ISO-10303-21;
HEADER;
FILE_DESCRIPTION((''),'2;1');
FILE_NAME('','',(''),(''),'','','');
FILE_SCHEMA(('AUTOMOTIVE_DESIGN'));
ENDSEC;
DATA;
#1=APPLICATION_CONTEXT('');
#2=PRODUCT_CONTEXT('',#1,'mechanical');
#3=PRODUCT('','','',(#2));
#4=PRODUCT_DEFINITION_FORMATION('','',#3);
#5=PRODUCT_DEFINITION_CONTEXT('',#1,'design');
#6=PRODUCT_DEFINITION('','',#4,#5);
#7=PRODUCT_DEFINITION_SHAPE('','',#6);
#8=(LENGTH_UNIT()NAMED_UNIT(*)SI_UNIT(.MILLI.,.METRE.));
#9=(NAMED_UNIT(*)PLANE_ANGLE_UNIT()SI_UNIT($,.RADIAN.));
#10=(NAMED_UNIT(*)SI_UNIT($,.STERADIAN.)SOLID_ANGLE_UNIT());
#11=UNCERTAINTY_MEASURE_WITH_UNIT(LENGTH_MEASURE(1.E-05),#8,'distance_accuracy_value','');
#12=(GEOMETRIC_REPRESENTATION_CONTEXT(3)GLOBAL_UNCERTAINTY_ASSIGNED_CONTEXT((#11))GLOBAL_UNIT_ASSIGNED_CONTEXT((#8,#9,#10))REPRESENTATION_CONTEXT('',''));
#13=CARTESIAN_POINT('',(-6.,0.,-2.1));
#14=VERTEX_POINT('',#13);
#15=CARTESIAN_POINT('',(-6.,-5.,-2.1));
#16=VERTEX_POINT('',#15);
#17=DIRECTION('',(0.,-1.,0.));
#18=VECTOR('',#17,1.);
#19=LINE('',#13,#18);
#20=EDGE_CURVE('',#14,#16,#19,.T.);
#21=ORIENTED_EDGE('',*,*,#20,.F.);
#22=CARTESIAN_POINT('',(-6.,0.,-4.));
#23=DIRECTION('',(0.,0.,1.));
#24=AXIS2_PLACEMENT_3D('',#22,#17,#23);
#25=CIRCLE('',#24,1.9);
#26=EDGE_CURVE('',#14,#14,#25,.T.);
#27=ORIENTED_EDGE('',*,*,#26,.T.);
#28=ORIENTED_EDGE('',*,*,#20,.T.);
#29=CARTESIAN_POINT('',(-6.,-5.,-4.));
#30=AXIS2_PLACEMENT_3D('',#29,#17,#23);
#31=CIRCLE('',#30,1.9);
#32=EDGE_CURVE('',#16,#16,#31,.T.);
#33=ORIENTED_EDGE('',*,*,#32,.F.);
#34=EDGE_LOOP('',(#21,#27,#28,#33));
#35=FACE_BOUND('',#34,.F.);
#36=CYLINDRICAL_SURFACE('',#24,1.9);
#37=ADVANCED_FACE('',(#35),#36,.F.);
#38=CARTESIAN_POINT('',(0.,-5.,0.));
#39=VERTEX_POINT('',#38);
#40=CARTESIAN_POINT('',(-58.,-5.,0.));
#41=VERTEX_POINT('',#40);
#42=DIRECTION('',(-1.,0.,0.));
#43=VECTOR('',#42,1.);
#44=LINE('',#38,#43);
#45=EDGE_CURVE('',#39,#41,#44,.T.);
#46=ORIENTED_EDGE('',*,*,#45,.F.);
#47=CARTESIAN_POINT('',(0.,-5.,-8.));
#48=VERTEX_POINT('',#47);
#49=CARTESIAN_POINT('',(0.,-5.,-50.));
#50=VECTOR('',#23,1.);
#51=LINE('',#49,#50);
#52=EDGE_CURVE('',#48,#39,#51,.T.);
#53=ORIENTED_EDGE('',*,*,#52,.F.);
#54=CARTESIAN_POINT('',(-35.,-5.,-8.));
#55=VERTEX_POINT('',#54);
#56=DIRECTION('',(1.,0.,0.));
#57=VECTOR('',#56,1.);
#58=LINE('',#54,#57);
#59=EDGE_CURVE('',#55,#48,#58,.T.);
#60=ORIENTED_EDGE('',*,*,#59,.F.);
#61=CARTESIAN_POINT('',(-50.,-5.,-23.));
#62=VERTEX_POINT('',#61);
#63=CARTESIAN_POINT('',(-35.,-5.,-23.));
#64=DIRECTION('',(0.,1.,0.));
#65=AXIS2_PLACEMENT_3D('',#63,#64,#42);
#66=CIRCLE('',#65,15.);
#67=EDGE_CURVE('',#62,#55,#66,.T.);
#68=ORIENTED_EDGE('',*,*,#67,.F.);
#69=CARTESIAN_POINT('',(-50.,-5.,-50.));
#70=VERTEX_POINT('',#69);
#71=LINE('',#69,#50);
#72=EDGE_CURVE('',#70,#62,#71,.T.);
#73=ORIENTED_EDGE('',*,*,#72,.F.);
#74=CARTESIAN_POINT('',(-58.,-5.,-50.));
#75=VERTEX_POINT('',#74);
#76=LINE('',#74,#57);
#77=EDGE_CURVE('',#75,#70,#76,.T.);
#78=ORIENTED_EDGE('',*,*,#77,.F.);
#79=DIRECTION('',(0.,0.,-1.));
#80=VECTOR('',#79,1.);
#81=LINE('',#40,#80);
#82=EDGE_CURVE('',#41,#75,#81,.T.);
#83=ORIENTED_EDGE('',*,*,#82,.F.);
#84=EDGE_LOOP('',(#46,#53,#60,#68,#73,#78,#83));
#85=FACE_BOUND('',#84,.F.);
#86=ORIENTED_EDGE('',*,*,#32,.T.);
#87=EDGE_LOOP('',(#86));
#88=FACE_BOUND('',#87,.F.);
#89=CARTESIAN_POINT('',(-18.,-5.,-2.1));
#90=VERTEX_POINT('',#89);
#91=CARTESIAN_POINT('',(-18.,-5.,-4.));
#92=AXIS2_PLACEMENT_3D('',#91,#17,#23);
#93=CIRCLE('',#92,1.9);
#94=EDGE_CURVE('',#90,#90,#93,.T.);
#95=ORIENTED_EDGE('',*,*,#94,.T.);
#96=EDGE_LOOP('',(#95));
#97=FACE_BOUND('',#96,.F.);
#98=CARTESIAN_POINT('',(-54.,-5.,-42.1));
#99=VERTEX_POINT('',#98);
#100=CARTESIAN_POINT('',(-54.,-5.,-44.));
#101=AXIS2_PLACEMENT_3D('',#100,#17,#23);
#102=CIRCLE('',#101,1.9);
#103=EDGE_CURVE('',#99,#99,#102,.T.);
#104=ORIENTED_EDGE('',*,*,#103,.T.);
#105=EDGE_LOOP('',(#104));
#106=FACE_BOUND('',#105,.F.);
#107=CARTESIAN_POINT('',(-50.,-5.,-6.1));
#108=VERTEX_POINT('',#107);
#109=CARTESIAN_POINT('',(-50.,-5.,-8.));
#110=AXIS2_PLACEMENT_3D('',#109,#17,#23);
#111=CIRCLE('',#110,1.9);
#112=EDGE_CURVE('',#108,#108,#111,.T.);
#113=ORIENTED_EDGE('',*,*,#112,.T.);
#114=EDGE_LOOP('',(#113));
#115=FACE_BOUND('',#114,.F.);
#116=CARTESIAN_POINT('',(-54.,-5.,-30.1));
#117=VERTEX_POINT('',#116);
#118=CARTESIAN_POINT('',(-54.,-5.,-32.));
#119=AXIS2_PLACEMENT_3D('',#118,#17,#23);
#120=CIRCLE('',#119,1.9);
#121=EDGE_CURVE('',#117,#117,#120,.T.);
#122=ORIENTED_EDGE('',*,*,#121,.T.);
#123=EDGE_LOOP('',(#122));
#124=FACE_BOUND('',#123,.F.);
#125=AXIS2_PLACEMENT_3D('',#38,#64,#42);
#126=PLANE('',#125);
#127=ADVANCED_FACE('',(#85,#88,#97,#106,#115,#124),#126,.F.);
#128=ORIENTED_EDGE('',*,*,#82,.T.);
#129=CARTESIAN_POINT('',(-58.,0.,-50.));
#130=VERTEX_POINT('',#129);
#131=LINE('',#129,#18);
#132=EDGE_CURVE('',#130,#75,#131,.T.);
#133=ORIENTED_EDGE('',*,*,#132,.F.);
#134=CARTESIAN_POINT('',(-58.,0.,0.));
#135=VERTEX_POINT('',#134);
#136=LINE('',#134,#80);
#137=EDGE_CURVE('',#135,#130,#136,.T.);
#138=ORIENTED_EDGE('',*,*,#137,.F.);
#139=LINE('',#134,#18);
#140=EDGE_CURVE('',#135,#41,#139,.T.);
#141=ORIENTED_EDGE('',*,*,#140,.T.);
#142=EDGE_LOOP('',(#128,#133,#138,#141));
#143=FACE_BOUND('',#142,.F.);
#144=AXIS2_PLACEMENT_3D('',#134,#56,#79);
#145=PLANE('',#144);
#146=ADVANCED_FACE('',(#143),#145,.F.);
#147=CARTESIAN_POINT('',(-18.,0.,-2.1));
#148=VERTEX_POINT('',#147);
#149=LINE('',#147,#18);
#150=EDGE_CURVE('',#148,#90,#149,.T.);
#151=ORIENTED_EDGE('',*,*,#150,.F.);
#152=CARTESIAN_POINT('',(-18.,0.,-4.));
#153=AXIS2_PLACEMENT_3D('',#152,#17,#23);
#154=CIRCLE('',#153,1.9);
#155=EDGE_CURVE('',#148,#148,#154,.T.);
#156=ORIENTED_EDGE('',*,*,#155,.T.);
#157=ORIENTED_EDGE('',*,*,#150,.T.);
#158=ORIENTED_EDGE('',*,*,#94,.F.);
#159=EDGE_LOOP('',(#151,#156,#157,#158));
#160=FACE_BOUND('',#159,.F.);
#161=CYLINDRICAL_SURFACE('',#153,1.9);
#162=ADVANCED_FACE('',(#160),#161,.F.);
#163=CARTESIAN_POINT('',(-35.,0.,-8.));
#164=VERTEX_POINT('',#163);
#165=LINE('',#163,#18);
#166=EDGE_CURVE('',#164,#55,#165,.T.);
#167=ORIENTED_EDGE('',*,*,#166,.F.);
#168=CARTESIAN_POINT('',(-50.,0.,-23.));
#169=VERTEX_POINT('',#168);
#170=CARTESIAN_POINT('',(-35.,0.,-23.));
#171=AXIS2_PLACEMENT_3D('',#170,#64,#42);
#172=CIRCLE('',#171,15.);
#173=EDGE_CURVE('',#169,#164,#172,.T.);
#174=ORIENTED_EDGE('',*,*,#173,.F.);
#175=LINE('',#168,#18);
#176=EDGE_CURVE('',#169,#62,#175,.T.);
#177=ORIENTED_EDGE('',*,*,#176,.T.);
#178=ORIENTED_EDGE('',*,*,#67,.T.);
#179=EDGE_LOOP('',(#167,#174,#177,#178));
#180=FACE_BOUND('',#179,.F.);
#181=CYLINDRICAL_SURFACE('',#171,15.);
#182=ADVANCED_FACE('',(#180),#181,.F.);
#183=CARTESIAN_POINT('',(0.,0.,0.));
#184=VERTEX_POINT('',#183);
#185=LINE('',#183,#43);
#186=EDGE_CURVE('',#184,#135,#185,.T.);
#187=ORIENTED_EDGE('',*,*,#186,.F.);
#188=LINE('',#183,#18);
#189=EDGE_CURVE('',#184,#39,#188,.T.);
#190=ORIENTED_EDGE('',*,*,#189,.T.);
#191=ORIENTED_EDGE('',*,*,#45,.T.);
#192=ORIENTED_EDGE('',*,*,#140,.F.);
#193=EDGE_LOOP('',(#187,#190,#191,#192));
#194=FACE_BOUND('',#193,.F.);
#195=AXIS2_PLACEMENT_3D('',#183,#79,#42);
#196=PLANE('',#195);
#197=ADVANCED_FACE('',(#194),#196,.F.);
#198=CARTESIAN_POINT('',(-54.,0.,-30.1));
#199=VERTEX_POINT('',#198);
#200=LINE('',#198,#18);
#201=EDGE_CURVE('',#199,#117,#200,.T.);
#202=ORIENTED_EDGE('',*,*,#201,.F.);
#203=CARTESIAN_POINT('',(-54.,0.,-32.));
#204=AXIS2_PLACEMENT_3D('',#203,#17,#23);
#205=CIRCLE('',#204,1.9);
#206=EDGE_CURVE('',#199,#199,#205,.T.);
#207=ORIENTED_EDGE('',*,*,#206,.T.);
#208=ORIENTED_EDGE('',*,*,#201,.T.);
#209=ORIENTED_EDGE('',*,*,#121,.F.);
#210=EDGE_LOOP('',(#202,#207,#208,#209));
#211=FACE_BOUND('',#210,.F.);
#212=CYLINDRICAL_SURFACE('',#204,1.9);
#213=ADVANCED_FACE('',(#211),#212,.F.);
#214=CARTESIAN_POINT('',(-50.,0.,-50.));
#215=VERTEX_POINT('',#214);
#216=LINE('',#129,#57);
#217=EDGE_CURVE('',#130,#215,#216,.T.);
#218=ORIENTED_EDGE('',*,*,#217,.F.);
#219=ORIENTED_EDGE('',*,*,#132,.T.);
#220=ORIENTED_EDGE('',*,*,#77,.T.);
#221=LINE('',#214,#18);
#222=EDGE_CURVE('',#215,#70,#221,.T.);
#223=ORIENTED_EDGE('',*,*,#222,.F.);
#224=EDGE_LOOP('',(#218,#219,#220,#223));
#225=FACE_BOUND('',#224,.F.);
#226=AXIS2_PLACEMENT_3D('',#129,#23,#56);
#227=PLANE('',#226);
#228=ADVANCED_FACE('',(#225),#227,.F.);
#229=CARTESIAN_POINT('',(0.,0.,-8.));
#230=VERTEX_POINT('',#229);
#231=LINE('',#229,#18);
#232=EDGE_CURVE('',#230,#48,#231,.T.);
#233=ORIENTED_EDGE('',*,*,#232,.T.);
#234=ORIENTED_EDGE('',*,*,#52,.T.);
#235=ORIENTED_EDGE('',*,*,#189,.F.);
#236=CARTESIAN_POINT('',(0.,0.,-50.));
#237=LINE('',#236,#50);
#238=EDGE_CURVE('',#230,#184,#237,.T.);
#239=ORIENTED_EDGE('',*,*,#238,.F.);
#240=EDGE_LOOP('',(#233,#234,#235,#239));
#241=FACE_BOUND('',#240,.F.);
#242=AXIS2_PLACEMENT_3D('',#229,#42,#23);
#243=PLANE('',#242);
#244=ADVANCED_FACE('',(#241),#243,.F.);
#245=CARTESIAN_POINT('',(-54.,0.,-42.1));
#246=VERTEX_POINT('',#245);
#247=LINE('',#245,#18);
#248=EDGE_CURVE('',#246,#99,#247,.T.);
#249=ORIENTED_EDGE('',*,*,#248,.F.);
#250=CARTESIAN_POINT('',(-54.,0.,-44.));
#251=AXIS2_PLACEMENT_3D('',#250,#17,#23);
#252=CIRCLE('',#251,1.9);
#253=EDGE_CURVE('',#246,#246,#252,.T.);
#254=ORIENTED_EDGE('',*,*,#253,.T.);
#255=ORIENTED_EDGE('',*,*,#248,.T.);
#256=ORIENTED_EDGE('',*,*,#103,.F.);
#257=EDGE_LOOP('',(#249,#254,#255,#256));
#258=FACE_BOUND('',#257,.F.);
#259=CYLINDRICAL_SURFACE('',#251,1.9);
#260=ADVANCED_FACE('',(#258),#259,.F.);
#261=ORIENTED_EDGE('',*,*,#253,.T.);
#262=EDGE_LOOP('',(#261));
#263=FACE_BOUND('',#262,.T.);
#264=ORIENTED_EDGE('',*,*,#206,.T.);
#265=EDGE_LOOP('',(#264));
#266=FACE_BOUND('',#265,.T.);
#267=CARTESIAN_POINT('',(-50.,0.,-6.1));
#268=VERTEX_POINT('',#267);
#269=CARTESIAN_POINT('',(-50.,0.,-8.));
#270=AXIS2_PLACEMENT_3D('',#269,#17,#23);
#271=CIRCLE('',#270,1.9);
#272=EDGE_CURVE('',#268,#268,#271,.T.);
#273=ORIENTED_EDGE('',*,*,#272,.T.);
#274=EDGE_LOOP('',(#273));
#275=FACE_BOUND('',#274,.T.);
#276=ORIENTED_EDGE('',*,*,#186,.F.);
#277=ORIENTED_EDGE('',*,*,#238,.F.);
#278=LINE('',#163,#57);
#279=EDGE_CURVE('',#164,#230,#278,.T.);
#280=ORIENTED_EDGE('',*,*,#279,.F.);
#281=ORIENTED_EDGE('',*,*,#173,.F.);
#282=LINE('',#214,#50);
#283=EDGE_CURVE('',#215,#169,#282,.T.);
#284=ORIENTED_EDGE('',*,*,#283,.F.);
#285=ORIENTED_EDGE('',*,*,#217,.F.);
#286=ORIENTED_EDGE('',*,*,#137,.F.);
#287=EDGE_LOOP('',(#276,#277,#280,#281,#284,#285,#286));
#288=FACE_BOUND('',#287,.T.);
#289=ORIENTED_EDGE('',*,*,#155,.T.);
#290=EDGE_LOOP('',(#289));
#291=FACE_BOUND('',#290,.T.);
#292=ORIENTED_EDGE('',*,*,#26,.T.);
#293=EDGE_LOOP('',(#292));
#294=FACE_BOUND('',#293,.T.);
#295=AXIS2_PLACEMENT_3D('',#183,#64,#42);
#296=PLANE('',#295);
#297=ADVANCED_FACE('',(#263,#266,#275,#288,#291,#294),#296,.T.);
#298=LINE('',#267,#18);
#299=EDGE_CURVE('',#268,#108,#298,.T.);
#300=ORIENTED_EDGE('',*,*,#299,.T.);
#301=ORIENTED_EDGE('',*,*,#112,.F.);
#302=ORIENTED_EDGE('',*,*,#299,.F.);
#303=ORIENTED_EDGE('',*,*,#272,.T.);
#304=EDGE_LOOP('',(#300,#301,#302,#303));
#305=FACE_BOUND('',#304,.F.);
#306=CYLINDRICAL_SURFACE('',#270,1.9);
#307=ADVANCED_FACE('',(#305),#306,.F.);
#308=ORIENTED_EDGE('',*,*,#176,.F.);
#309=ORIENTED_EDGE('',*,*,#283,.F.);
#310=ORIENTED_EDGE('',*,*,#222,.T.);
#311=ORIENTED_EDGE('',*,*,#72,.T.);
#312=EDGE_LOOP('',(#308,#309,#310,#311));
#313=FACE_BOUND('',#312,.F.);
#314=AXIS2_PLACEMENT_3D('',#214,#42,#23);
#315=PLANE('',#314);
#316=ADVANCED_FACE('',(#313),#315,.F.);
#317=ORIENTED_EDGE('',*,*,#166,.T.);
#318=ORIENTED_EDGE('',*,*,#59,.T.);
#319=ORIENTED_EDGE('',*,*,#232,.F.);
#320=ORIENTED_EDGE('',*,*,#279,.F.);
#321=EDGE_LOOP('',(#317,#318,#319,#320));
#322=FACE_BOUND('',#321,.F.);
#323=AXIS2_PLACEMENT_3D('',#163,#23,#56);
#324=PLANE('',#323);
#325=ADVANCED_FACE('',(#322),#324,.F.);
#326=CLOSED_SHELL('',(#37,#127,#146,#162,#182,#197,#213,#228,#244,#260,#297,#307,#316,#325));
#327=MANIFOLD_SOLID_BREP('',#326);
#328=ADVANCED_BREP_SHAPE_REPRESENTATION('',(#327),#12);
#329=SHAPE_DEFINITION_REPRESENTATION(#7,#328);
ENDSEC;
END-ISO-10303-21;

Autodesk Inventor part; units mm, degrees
ref_plane "YZ Plane" through (0, 0, 0) normal (1, 0, 0) x (0, 1, 0)
ref_plane "XZ Plane" through (0, 0, 0) normal (0, 1, 0) x (-1, 0, 0)
ref_plane "XY Plane" through (0, 0, 0) normal (0, 0, 1) x (1, 0, 0)
sketch "Sketch1" plane through (0, 0, 0) normal (0, 1, 0) x (-1, 0, 0)
  line L0 (0, 0) -> (58, 0)
  line L1 (58, 0) -> (58, -50)
  line L2 (58, -50) -> (0, -50)
  line L3 (0, -50) -> (0, 0)
  line L4 (0, -50) -> (50, -50)
  line L5 (50, -50) -> (50, -23)
  line L6 (35, -8) -> (0, -8)
  line L7 (0, -8) -> (0, -50)
  arc A0 (50, -23) -> (35, -8) centre (35, -23) ccw
  line L8 (54, -53.5159) -> (54, 28.6039) construction
  line L9 (-7.6056, -4) -> (76.8297, -4) construction
  point P0 (50, -8)
  point P1 (6, -4)
  point P2 (18, -4)
  point P3 (54, -32)
  point P4 (54, -44)
  point P5 (50, -8)
  dimension "d0" = 58
  dimension "d1" = 50
  dimension "d2" = 50
  dimension "d3" = 42
  dimension "d4" = 15
  dimension "d5" = 6
  dimension "d6" = 18
  dimension "d7" = 18
  dimension "d8" = 6
extrude "Extrusion1" add sketch "Sketch1" against normal blind 5 contours L0 L1 L2 L5 A0 L6 L3
hole "Hole1" at (-6, 0, -4) at (-18, 0, -4) at (-54, 0, -32) at (-54, 0, -44) at (-50, 0, -8) direction (0, -1, 0) diameter 3.8 end through all
properties part number "Step-back spacer -electronics enc"
